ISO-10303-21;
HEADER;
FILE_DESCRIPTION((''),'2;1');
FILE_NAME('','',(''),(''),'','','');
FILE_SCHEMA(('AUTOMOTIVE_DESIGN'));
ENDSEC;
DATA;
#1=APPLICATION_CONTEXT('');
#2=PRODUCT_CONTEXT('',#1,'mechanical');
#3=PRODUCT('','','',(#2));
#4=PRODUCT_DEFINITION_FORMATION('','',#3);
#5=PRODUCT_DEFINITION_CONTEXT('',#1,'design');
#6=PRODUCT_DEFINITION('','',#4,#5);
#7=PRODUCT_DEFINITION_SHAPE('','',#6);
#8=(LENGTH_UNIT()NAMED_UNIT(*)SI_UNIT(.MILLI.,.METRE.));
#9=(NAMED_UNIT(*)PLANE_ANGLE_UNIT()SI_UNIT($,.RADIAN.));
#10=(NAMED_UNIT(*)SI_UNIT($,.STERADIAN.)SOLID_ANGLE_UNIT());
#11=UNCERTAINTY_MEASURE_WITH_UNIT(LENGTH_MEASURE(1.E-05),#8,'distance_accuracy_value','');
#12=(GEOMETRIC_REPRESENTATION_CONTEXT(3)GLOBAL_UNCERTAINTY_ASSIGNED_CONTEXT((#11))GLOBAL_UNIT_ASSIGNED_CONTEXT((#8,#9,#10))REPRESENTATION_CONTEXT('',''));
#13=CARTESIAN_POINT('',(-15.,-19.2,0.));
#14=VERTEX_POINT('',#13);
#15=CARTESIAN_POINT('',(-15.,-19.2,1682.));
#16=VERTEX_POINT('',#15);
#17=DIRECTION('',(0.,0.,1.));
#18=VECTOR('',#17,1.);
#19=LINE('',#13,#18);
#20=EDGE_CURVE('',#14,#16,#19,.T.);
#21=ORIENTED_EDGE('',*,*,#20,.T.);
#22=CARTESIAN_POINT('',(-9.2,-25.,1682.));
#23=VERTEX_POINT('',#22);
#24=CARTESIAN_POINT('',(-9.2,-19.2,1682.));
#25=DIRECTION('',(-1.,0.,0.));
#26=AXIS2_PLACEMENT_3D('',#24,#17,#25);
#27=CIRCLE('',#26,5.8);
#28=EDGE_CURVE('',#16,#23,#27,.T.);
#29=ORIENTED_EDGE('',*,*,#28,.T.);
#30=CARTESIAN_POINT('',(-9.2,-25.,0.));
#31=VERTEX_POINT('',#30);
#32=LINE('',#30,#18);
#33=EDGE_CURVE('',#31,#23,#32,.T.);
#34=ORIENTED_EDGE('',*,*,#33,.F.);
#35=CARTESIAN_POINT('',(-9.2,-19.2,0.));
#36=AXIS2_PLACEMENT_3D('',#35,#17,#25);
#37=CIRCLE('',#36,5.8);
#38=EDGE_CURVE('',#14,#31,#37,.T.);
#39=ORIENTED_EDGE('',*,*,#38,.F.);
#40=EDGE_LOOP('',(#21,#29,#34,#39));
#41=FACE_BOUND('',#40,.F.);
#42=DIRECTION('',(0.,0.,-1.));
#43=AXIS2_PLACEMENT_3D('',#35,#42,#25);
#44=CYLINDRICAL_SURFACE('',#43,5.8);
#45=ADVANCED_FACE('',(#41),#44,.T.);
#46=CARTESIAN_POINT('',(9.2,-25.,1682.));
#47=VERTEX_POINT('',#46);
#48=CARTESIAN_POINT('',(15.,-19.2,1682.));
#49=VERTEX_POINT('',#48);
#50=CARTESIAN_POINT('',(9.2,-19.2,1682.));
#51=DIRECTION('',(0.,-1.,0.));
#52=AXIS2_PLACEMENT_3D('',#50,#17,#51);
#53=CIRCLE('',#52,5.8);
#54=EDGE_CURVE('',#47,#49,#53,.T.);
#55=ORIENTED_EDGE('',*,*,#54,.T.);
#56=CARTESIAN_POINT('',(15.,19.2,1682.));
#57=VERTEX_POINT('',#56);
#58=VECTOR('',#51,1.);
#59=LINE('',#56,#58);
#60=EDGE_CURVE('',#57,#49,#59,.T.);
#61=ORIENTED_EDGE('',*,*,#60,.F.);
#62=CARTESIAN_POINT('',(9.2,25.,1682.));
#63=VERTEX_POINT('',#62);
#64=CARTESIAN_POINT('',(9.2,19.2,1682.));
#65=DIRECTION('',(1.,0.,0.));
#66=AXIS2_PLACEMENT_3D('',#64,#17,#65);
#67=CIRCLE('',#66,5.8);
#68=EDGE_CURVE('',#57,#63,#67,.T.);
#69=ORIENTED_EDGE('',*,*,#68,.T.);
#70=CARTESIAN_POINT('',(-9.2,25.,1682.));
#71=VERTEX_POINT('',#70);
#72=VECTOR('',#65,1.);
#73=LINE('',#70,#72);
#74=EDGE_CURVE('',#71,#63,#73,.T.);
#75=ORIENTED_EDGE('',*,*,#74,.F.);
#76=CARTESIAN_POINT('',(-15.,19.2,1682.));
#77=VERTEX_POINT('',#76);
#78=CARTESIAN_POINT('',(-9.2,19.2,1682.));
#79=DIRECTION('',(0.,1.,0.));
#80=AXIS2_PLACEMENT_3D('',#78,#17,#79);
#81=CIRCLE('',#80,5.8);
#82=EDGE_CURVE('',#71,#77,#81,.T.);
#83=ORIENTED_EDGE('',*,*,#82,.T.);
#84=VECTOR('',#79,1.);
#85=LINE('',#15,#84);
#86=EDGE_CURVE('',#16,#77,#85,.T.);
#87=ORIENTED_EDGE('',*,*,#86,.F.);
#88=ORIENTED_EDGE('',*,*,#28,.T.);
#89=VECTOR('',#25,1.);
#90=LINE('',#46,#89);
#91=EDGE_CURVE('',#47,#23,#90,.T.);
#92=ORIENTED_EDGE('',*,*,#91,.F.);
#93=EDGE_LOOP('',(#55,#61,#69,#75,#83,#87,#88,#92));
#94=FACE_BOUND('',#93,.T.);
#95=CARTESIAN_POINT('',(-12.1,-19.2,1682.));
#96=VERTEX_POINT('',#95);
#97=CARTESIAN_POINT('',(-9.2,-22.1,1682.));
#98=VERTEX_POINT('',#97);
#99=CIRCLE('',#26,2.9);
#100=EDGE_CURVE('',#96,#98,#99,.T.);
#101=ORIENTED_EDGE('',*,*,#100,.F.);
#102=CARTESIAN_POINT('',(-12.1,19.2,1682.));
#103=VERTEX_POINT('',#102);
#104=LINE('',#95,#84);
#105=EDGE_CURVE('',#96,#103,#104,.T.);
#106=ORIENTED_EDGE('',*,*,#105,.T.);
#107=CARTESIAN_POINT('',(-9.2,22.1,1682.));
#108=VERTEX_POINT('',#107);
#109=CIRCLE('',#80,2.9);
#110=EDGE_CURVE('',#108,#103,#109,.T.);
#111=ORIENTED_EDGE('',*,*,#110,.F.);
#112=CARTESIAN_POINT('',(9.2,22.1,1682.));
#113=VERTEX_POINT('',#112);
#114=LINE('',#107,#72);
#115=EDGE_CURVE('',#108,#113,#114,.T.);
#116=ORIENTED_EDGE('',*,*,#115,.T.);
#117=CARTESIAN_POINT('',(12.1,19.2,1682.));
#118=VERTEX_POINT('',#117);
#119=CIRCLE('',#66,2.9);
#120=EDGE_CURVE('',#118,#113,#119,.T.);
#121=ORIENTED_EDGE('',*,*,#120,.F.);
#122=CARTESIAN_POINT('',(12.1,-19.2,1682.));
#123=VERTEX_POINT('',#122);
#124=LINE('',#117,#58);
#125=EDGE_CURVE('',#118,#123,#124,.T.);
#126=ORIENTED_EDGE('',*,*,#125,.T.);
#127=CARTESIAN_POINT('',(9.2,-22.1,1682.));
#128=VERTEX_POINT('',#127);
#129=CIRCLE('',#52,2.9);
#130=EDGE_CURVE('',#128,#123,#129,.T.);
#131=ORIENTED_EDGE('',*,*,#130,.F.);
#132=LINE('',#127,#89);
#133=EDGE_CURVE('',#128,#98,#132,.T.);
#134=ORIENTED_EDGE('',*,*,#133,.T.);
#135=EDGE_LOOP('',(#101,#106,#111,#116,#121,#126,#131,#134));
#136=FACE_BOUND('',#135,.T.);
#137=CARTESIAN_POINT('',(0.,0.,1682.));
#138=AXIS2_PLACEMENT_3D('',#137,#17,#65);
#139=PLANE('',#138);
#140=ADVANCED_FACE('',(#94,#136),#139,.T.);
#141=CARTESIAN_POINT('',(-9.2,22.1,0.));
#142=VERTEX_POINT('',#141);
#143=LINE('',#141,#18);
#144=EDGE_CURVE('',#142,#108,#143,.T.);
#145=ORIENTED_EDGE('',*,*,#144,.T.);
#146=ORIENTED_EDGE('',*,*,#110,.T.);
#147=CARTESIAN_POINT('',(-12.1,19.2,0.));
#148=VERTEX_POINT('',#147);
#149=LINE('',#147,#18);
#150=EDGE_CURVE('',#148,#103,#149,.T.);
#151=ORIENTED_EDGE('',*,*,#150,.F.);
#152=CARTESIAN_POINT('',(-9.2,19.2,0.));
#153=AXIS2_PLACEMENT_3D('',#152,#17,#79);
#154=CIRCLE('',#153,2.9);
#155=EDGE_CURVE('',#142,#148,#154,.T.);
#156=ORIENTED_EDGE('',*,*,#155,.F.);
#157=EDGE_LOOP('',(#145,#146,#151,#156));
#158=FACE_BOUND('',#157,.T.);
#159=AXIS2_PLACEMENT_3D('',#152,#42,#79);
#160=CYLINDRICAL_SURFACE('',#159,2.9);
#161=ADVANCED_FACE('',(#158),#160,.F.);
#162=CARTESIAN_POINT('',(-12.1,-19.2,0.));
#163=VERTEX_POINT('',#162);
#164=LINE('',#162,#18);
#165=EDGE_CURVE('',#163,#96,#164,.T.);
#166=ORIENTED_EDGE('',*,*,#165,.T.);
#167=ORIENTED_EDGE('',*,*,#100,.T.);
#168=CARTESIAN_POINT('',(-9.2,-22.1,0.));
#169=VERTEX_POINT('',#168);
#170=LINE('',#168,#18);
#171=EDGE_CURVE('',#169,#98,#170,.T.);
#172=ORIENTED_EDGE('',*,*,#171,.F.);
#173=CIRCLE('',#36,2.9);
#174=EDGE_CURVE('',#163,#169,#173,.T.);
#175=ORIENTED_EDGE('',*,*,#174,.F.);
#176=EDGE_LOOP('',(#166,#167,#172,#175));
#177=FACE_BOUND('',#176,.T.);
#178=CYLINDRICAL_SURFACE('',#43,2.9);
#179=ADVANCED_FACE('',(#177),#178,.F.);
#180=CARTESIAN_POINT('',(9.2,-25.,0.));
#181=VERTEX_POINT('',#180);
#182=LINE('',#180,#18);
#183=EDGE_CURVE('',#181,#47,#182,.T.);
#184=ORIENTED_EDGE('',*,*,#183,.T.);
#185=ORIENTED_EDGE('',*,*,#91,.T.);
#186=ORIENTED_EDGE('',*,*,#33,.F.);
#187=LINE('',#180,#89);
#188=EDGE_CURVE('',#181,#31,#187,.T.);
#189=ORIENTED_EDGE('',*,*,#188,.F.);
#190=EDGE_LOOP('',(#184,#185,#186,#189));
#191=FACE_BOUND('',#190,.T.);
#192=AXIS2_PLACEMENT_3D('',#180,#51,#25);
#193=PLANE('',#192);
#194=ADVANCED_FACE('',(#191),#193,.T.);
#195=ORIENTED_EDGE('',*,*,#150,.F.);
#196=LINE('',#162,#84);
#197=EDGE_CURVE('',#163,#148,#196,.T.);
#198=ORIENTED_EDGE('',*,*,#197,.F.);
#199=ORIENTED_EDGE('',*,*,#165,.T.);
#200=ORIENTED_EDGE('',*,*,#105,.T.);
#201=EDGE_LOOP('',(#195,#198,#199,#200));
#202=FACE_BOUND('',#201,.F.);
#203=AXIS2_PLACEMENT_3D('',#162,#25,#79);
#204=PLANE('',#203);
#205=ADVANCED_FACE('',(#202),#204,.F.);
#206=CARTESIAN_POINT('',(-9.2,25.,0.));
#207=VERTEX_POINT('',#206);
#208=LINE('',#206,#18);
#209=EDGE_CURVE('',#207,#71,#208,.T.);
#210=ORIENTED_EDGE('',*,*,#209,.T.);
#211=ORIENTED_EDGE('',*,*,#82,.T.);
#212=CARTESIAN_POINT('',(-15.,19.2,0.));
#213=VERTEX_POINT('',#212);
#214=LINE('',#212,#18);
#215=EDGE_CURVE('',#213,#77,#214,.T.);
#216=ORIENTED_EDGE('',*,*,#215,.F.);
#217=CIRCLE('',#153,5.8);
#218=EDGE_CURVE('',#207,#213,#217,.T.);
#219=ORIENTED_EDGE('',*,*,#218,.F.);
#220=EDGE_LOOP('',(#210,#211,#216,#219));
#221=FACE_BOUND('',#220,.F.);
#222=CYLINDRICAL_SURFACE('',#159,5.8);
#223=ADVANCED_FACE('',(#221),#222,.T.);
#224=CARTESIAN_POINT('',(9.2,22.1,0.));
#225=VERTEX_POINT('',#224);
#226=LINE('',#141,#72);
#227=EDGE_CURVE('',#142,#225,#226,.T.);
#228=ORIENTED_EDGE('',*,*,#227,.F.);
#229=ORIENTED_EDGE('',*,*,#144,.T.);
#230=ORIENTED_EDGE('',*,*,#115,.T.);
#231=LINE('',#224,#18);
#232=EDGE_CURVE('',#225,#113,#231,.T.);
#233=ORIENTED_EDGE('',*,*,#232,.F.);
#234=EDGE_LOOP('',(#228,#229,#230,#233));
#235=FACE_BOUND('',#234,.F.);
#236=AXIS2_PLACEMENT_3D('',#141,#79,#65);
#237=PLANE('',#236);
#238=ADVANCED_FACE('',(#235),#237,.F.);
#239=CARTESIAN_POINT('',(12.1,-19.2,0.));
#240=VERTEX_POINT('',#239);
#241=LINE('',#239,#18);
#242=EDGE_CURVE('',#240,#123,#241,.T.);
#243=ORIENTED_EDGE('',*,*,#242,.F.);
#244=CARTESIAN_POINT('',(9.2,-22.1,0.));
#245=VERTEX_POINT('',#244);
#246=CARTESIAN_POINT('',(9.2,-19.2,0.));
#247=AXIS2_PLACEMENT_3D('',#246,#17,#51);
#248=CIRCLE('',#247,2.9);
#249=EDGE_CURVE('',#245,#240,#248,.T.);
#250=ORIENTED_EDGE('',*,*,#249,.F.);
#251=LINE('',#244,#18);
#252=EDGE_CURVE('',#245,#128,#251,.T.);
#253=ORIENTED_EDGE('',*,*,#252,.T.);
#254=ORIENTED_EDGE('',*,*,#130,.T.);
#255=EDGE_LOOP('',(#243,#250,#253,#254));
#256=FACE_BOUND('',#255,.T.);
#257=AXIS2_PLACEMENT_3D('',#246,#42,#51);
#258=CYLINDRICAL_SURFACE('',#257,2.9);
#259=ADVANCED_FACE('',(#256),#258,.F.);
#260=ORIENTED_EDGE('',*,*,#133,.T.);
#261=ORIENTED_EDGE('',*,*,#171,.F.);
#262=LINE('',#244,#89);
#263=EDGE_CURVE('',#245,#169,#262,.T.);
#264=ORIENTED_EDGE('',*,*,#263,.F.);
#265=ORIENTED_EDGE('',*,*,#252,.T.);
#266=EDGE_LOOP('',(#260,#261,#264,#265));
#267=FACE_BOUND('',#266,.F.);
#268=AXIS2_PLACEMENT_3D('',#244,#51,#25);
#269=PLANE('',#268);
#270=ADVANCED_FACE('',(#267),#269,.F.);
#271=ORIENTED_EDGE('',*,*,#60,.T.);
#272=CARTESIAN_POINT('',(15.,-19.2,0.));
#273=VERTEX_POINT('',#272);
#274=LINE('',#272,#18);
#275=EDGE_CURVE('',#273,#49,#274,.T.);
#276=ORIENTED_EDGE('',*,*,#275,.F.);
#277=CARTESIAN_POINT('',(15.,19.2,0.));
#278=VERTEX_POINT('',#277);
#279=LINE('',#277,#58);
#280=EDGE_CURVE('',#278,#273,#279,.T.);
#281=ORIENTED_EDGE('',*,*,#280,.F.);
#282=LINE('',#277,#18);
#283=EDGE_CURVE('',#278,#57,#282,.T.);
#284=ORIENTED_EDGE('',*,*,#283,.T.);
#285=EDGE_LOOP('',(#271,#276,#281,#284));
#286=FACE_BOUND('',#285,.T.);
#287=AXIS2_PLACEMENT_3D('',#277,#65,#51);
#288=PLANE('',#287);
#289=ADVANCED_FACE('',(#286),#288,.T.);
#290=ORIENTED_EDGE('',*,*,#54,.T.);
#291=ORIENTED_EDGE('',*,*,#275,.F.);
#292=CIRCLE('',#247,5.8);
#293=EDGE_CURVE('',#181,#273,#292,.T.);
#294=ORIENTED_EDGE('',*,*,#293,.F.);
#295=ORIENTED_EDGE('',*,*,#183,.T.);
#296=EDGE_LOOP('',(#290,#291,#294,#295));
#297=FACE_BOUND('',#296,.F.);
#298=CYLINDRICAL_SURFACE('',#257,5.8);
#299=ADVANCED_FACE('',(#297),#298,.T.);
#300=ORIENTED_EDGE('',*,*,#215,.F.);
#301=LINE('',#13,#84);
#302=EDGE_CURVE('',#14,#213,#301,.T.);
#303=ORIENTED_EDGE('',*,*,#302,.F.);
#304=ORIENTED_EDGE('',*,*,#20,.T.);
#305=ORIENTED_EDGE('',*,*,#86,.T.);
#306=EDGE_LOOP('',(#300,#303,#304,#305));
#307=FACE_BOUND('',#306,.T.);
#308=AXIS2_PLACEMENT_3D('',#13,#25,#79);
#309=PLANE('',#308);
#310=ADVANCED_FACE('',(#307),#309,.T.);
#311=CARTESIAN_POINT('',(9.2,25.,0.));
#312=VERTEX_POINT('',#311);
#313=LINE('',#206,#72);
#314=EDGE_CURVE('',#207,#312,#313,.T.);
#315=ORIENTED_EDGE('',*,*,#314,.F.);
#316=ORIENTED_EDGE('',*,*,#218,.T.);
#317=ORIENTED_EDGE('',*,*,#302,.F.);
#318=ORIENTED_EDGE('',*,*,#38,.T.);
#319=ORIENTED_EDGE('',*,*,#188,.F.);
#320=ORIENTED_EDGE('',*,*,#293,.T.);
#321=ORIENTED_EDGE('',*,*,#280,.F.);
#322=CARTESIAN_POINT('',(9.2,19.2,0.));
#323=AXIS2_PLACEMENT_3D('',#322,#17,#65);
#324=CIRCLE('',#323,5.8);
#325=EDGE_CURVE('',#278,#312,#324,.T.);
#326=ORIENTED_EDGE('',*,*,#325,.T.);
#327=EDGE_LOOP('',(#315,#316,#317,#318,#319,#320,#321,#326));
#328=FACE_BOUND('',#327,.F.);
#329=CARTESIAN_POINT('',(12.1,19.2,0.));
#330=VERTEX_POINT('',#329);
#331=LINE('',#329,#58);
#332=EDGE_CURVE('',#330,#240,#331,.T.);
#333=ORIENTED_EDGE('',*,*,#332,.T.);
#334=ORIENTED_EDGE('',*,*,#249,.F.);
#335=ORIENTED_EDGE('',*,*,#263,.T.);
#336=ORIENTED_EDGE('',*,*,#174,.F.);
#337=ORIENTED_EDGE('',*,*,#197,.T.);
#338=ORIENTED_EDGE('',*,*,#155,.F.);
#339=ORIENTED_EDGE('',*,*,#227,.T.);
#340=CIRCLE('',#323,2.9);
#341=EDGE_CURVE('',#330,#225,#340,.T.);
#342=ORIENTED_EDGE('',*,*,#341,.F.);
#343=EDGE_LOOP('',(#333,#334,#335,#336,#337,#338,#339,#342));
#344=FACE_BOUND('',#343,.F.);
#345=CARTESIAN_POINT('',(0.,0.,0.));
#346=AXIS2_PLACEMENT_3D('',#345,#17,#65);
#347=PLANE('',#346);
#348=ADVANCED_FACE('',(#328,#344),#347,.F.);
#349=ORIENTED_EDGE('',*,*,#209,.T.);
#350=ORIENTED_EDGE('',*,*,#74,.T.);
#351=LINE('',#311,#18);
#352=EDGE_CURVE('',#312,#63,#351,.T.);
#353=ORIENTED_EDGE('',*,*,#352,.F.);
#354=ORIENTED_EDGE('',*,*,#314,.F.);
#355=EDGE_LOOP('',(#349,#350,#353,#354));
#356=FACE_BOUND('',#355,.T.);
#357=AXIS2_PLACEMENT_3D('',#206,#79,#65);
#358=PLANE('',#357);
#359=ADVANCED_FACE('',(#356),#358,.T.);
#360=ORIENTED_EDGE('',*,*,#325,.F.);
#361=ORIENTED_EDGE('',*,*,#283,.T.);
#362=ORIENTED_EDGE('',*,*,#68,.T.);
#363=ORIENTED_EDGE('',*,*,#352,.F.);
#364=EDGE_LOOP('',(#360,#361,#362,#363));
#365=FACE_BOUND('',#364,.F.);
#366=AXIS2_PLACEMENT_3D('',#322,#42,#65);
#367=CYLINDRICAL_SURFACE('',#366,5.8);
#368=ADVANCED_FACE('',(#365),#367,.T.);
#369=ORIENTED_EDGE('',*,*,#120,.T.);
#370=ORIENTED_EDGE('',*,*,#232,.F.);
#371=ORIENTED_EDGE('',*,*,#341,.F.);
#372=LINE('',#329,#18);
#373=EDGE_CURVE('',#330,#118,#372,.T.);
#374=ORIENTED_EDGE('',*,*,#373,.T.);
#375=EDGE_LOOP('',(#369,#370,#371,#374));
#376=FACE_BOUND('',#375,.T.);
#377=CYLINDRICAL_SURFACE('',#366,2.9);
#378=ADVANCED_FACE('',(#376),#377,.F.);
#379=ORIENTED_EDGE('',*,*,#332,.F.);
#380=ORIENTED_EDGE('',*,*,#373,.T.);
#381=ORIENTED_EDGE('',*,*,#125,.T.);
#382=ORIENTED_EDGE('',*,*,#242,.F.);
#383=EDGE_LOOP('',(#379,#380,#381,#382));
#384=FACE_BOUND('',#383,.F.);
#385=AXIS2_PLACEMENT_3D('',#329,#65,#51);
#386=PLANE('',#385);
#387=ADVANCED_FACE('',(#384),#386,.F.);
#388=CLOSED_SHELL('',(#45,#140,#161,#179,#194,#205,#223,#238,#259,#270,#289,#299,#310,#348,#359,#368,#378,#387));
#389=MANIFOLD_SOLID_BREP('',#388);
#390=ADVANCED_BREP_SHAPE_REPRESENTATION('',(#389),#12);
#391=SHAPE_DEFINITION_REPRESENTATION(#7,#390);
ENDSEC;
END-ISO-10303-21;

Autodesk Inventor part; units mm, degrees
ref_plane "YZ Plane" through (0, 0, 0) normal (1, 0, 0) x (0, 1, 0)
ref_plane "Start plane" through (0, 0, 0) normal (0, 0, 1) x (1, 0, 0)
ref_plane "End plane" through (0, 0, 1682) normal (0, 0, 1) x (1, 0, 0)
sketch "Sketch" plane through (0, 0, 0) normal (0, 0, 1) x (1, 0, 0)
  line L0 (-9.2, 25) -> (9.2, 25)
  line L1 (15, 19.2) -> (15, -19.2)
  line L2 (9.2, -25) -> (-9.2, -25)
  line L3 (-15, -19.2) -> (-15, 19.2)
  arc A0 (-9.2, 25) -> (-15, 19.2) centre (-9.2, 19.2) ccw
  arc A1 (15, 19.2) -> (9.2, 25) centre (9.2, 19.2) ccw
  arc A2 (9.2, -25) -> (15, -19.2) centre (9.2, -19.2) ccw
  arc A3 (-15, -19.2) -> (-9.2, -25) centre (-9.2, -19.2) ccw
  line L4 (-22.6817, 0) -> (22.6817, 0) construction
  line L5 (0, -36.6817) -> (0, 36.6817) construction
  arc A4 (-9.2, 22.1) -> (-12.1, 19.2) centre (-9.2, 19.2) ccw
  line L6 (-9.2, 22.1) -> (9.2, 22.1)
  arc A5 (12.1, 19.2) -> (9.2, 22.1) centre (9.2, 19.2) ccw
  line L7 (12.1, 19.2) -> (12.1, -19.2)
  arc A6 (9.2, -22.1) -> (12.1, -19.2) centre (9.2, -19.2) ccw
  line L8 (9.2, -22.1) -> (-9.2, -22.1)
  arc A7 (-12.1, -19.2) -> (-9.2, -22.1) centre (-9.2, -19.2) ccw
  line L9 (-12.1, -19.2) -> (-12.1, 19.2)
  point P0 (-15, 25)
  point P1 (15, -25)
  point P2 (15, 25)
  dimension "b" = 30
  dimension "ParH" = 50
  dimension "msp_r" = 5.8
  dimension "d8" = 15
  dimension "d9" = 25
  dimension "d10" = 2.9
extrude "Body" add sketch "Sketch" along normal up to surface (1682 mm away) from surface at 0
sketch "Sketch2" plane through (0, 0, 0) normal (0, 0, 1) x (1, 0, 0)
  line L0 (0, 0) -> (10, 0)
ref_plane "Work Plane3" through (0, 0, 0) normal (0, -1, 0) x (1, 0, 0)
sketch "Sketch3" plane through (0, 0, 0) normal (0, -1, 0) x (1, 0, 0)
  line L0 (-2, 0) -> (12, 0)
  line L1 (-2, 1682) -> (12, 1682)
  dimension "d14" = 1682
equation "\"msp_r\" = 2 * ParT"
equation "\"d8\" = 0.5 * b"
equation "\"d9\" = 0.5 * ParH"
equation "\"d10\" = ParT"
equation "\"G_OFFSET_START\" = 0"
equation "\"G_OFFSET_END\" = 0"
equation "\"d12\" = G_OFFSET_END + B_L"
equation "\"G_L\" = d14"
equation "\"B_L\" = 1682"
equation "\"ParT\" = 2.9"
properties part number "DIN 59 410 - 50x30x2.9-1682" material "Steel, Mild"
